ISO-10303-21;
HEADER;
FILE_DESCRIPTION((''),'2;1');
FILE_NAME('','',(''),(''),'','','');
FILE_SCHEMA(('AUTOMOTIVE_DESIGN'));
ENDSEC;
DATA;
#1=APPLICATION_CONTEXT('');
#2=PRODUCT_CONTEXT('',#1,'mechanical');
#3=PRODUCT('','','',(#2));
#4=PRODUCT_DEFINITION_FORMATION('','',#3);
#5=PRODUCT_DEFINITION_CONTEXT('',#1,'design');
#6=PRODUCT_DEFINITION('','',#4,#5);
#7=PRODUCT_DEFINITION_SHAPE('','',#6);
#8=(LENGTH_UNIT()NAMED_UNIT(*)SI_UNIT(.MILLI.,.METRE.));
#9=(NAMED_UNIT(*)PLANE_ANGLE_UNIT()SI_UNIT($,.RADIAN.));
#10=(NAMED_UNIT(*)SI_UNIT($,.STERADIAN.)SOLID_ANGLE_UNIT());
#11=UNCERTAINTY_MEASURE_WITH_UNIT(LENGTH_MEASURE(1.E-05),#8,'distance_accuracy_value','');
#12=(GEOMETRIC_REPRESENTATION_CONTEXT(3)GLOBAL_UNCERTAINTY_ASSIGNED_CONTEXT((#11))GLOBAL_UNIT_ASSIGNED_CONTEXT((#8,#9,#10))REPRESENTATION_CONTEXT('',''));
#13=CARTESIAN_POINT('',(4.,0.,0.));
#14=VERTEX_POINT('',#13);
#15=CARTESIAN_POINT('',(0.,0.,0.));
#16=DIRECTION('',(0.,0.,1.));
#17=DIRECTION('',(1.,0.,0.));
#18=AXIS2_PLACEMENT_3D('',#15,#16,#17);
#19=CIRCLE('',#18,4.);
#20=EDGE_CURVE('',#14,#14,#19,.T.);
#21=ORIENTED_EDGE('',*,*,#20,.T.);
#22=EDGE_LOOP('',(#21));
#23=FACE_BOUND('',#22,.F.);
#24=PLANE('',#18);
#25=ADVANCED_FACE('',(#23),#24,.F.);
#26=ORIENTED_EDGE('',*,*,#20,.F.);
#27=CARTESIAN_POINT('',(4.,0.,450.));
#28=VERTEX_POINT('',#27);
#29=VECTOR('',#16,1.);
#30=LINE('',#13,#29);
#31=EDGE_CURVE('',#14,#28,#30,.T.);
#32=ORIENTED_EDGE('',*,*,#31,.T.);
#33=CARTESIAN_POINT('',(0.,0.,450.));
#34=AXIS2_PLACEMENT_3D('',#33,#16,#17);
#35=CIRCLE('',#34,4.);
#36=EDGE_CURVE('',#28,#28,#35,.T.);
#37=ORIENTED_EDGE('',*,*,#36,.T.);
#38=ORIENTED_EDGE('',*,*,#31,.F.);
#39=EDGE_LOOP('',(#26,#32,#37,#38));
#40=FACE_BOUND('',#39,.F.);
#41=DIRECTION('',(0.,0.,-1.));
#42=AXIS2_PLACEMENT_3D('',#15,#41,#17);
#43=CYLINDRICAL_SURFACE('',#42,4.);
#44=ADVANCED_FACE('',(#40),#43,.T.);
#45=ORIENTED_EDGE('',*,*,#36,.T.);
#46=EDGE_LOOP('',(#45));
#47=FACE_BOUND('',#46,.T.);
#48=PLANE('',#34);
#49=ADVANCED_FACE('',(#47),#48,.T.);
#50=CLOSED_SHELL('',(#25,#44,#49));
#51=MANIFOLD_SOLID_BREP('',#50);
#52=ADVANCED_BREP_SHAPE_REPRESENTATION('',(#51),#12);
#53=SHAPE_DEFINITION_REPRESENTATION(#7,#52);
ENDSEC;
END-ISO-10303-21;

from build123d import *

# Parameters (mm, degrees)
SKETCH_R  = 4
PAD_DEPTH = 450


with BuildPart() as part:
    # Sketch → Pad (new body)
    with BuildSketch(Plane.XY):
        Circle(SKETCH_R)
    extrude(amount=PAD_DEPTH)


solid = part.part
